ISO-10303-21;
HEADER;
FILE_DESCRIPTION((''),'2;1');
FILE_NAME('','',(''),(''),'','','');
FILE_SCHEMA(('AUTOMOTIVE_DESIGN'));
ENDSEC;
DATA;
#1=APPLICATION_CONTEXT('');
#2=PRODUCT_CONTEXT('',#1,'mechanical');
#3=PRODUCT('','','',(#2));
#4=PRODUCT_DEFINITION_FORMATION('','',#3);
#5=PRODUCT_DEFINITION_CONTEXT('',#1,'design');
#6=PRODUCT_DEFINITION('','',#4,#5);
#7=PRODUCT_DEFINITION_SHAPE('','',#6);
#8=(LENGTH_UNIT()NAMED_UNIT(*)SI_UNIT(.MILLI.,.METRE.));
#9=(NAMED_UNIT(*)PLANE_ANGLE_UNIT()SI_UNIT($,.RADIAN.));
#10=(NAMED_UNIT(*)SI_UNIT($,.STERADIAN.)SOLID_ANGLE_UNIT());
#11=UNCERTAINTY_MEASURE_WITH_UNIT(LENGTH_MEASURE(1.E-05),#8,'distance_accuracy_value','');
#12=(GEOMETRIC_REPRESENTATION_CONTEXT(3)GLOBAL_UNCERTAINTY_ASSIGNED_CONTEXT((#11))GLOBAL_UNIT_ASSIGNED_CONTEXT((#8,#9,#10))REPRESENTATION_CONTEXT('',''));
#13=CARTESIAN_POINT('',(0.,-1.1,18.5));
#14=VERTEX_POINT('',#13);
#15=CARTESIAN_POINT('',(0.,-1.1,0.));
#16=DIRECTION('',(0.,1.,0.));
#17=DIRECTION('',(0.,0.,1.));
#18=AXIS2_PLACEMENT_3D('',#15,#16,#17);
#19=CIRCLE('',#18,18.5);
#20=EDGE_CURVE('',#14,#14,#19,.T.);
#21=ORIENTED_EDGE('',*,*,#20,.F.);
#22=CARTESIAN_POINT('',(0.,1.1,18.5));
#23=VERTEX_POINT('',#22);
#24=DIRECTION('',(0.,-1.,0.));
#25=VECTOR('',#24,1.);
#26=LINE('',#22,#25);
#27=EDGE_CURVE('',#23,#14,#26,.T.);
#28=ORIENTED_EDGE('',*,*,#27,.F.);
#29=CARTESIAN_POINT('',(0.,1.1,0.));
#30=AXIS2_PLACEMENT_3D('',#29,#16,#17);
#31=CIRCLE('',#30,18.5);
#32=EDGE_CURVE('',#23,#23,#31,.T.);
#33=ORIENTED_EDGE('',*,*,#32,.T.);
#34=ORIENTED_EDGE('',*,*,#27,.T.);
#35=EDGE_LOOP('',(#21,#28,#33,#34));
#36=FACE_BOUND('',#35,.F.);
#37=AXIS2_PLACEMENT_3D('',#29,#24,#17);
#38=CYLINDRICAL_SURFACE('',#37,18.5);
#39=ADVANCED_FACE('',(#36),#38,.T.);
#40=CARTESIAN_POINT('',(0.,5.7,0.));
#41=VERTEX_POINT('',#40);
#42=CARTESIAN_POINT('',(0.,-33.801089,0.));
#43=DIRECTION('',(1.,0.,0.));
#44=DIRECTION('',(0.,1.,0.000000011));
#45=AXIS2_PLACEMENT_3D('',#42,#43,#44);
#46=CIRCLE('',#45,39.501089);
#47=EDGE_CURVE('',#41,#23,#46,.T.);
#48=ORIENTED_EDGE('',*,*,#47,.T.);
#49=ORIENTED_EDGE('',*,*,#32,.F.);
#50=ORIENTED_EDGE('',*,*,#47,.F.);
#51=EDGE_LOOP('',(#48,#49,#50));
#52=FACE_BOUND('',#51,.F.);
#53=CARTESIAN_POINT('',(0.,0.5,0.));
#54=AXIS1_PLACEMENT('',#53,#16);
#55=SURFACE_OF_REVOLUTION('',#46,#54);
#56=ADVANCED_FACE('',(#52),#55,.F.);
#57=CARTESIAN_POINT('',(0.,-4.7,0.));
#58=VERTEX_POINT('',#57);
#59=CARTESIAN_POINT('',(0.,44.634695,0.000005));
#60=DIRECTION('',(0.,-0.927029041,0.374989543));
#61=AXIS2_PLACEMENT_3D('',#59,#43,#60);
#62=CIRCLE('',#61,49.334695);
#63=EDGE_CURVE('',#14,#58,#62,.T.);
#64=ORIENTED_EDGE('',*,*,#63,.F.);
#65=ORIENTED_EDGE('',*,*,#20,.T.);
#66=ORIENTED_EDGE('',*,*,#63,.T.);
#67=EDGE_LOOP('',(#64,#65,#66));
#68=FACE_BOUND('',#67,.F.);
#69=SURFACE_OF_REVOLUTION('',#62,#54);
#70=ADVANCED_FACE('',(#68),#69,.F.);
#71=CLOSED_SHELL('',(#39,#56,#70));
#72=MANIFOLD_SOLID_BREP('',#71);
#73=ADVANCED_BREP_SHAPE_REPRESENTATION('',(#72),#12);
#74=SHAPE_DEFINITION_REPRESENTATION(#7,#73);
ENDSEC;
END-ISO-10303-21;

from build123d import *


with BuildPart() as f1:
    # F0 (on Right) → F1 (revolve)
    with BuildSketch(Plane.YZ):
        with BuildLine():
            Line((1.1, 18.5), (-1.1, 18.5))
            ThreePointArc((-1.1, 18.5), (-3.791638, 9.423508), (-4.7, 0))
            Line((-4.7, 0), (5.7, 0))
            ThreePointArc((5.7, 0), (4.532754, 9.531658), (1.1, 18.5))
        make_face()
    revolve(axis=Axis((0, 0.5, 0), (0, 1, 0)))


solid = f1.part
